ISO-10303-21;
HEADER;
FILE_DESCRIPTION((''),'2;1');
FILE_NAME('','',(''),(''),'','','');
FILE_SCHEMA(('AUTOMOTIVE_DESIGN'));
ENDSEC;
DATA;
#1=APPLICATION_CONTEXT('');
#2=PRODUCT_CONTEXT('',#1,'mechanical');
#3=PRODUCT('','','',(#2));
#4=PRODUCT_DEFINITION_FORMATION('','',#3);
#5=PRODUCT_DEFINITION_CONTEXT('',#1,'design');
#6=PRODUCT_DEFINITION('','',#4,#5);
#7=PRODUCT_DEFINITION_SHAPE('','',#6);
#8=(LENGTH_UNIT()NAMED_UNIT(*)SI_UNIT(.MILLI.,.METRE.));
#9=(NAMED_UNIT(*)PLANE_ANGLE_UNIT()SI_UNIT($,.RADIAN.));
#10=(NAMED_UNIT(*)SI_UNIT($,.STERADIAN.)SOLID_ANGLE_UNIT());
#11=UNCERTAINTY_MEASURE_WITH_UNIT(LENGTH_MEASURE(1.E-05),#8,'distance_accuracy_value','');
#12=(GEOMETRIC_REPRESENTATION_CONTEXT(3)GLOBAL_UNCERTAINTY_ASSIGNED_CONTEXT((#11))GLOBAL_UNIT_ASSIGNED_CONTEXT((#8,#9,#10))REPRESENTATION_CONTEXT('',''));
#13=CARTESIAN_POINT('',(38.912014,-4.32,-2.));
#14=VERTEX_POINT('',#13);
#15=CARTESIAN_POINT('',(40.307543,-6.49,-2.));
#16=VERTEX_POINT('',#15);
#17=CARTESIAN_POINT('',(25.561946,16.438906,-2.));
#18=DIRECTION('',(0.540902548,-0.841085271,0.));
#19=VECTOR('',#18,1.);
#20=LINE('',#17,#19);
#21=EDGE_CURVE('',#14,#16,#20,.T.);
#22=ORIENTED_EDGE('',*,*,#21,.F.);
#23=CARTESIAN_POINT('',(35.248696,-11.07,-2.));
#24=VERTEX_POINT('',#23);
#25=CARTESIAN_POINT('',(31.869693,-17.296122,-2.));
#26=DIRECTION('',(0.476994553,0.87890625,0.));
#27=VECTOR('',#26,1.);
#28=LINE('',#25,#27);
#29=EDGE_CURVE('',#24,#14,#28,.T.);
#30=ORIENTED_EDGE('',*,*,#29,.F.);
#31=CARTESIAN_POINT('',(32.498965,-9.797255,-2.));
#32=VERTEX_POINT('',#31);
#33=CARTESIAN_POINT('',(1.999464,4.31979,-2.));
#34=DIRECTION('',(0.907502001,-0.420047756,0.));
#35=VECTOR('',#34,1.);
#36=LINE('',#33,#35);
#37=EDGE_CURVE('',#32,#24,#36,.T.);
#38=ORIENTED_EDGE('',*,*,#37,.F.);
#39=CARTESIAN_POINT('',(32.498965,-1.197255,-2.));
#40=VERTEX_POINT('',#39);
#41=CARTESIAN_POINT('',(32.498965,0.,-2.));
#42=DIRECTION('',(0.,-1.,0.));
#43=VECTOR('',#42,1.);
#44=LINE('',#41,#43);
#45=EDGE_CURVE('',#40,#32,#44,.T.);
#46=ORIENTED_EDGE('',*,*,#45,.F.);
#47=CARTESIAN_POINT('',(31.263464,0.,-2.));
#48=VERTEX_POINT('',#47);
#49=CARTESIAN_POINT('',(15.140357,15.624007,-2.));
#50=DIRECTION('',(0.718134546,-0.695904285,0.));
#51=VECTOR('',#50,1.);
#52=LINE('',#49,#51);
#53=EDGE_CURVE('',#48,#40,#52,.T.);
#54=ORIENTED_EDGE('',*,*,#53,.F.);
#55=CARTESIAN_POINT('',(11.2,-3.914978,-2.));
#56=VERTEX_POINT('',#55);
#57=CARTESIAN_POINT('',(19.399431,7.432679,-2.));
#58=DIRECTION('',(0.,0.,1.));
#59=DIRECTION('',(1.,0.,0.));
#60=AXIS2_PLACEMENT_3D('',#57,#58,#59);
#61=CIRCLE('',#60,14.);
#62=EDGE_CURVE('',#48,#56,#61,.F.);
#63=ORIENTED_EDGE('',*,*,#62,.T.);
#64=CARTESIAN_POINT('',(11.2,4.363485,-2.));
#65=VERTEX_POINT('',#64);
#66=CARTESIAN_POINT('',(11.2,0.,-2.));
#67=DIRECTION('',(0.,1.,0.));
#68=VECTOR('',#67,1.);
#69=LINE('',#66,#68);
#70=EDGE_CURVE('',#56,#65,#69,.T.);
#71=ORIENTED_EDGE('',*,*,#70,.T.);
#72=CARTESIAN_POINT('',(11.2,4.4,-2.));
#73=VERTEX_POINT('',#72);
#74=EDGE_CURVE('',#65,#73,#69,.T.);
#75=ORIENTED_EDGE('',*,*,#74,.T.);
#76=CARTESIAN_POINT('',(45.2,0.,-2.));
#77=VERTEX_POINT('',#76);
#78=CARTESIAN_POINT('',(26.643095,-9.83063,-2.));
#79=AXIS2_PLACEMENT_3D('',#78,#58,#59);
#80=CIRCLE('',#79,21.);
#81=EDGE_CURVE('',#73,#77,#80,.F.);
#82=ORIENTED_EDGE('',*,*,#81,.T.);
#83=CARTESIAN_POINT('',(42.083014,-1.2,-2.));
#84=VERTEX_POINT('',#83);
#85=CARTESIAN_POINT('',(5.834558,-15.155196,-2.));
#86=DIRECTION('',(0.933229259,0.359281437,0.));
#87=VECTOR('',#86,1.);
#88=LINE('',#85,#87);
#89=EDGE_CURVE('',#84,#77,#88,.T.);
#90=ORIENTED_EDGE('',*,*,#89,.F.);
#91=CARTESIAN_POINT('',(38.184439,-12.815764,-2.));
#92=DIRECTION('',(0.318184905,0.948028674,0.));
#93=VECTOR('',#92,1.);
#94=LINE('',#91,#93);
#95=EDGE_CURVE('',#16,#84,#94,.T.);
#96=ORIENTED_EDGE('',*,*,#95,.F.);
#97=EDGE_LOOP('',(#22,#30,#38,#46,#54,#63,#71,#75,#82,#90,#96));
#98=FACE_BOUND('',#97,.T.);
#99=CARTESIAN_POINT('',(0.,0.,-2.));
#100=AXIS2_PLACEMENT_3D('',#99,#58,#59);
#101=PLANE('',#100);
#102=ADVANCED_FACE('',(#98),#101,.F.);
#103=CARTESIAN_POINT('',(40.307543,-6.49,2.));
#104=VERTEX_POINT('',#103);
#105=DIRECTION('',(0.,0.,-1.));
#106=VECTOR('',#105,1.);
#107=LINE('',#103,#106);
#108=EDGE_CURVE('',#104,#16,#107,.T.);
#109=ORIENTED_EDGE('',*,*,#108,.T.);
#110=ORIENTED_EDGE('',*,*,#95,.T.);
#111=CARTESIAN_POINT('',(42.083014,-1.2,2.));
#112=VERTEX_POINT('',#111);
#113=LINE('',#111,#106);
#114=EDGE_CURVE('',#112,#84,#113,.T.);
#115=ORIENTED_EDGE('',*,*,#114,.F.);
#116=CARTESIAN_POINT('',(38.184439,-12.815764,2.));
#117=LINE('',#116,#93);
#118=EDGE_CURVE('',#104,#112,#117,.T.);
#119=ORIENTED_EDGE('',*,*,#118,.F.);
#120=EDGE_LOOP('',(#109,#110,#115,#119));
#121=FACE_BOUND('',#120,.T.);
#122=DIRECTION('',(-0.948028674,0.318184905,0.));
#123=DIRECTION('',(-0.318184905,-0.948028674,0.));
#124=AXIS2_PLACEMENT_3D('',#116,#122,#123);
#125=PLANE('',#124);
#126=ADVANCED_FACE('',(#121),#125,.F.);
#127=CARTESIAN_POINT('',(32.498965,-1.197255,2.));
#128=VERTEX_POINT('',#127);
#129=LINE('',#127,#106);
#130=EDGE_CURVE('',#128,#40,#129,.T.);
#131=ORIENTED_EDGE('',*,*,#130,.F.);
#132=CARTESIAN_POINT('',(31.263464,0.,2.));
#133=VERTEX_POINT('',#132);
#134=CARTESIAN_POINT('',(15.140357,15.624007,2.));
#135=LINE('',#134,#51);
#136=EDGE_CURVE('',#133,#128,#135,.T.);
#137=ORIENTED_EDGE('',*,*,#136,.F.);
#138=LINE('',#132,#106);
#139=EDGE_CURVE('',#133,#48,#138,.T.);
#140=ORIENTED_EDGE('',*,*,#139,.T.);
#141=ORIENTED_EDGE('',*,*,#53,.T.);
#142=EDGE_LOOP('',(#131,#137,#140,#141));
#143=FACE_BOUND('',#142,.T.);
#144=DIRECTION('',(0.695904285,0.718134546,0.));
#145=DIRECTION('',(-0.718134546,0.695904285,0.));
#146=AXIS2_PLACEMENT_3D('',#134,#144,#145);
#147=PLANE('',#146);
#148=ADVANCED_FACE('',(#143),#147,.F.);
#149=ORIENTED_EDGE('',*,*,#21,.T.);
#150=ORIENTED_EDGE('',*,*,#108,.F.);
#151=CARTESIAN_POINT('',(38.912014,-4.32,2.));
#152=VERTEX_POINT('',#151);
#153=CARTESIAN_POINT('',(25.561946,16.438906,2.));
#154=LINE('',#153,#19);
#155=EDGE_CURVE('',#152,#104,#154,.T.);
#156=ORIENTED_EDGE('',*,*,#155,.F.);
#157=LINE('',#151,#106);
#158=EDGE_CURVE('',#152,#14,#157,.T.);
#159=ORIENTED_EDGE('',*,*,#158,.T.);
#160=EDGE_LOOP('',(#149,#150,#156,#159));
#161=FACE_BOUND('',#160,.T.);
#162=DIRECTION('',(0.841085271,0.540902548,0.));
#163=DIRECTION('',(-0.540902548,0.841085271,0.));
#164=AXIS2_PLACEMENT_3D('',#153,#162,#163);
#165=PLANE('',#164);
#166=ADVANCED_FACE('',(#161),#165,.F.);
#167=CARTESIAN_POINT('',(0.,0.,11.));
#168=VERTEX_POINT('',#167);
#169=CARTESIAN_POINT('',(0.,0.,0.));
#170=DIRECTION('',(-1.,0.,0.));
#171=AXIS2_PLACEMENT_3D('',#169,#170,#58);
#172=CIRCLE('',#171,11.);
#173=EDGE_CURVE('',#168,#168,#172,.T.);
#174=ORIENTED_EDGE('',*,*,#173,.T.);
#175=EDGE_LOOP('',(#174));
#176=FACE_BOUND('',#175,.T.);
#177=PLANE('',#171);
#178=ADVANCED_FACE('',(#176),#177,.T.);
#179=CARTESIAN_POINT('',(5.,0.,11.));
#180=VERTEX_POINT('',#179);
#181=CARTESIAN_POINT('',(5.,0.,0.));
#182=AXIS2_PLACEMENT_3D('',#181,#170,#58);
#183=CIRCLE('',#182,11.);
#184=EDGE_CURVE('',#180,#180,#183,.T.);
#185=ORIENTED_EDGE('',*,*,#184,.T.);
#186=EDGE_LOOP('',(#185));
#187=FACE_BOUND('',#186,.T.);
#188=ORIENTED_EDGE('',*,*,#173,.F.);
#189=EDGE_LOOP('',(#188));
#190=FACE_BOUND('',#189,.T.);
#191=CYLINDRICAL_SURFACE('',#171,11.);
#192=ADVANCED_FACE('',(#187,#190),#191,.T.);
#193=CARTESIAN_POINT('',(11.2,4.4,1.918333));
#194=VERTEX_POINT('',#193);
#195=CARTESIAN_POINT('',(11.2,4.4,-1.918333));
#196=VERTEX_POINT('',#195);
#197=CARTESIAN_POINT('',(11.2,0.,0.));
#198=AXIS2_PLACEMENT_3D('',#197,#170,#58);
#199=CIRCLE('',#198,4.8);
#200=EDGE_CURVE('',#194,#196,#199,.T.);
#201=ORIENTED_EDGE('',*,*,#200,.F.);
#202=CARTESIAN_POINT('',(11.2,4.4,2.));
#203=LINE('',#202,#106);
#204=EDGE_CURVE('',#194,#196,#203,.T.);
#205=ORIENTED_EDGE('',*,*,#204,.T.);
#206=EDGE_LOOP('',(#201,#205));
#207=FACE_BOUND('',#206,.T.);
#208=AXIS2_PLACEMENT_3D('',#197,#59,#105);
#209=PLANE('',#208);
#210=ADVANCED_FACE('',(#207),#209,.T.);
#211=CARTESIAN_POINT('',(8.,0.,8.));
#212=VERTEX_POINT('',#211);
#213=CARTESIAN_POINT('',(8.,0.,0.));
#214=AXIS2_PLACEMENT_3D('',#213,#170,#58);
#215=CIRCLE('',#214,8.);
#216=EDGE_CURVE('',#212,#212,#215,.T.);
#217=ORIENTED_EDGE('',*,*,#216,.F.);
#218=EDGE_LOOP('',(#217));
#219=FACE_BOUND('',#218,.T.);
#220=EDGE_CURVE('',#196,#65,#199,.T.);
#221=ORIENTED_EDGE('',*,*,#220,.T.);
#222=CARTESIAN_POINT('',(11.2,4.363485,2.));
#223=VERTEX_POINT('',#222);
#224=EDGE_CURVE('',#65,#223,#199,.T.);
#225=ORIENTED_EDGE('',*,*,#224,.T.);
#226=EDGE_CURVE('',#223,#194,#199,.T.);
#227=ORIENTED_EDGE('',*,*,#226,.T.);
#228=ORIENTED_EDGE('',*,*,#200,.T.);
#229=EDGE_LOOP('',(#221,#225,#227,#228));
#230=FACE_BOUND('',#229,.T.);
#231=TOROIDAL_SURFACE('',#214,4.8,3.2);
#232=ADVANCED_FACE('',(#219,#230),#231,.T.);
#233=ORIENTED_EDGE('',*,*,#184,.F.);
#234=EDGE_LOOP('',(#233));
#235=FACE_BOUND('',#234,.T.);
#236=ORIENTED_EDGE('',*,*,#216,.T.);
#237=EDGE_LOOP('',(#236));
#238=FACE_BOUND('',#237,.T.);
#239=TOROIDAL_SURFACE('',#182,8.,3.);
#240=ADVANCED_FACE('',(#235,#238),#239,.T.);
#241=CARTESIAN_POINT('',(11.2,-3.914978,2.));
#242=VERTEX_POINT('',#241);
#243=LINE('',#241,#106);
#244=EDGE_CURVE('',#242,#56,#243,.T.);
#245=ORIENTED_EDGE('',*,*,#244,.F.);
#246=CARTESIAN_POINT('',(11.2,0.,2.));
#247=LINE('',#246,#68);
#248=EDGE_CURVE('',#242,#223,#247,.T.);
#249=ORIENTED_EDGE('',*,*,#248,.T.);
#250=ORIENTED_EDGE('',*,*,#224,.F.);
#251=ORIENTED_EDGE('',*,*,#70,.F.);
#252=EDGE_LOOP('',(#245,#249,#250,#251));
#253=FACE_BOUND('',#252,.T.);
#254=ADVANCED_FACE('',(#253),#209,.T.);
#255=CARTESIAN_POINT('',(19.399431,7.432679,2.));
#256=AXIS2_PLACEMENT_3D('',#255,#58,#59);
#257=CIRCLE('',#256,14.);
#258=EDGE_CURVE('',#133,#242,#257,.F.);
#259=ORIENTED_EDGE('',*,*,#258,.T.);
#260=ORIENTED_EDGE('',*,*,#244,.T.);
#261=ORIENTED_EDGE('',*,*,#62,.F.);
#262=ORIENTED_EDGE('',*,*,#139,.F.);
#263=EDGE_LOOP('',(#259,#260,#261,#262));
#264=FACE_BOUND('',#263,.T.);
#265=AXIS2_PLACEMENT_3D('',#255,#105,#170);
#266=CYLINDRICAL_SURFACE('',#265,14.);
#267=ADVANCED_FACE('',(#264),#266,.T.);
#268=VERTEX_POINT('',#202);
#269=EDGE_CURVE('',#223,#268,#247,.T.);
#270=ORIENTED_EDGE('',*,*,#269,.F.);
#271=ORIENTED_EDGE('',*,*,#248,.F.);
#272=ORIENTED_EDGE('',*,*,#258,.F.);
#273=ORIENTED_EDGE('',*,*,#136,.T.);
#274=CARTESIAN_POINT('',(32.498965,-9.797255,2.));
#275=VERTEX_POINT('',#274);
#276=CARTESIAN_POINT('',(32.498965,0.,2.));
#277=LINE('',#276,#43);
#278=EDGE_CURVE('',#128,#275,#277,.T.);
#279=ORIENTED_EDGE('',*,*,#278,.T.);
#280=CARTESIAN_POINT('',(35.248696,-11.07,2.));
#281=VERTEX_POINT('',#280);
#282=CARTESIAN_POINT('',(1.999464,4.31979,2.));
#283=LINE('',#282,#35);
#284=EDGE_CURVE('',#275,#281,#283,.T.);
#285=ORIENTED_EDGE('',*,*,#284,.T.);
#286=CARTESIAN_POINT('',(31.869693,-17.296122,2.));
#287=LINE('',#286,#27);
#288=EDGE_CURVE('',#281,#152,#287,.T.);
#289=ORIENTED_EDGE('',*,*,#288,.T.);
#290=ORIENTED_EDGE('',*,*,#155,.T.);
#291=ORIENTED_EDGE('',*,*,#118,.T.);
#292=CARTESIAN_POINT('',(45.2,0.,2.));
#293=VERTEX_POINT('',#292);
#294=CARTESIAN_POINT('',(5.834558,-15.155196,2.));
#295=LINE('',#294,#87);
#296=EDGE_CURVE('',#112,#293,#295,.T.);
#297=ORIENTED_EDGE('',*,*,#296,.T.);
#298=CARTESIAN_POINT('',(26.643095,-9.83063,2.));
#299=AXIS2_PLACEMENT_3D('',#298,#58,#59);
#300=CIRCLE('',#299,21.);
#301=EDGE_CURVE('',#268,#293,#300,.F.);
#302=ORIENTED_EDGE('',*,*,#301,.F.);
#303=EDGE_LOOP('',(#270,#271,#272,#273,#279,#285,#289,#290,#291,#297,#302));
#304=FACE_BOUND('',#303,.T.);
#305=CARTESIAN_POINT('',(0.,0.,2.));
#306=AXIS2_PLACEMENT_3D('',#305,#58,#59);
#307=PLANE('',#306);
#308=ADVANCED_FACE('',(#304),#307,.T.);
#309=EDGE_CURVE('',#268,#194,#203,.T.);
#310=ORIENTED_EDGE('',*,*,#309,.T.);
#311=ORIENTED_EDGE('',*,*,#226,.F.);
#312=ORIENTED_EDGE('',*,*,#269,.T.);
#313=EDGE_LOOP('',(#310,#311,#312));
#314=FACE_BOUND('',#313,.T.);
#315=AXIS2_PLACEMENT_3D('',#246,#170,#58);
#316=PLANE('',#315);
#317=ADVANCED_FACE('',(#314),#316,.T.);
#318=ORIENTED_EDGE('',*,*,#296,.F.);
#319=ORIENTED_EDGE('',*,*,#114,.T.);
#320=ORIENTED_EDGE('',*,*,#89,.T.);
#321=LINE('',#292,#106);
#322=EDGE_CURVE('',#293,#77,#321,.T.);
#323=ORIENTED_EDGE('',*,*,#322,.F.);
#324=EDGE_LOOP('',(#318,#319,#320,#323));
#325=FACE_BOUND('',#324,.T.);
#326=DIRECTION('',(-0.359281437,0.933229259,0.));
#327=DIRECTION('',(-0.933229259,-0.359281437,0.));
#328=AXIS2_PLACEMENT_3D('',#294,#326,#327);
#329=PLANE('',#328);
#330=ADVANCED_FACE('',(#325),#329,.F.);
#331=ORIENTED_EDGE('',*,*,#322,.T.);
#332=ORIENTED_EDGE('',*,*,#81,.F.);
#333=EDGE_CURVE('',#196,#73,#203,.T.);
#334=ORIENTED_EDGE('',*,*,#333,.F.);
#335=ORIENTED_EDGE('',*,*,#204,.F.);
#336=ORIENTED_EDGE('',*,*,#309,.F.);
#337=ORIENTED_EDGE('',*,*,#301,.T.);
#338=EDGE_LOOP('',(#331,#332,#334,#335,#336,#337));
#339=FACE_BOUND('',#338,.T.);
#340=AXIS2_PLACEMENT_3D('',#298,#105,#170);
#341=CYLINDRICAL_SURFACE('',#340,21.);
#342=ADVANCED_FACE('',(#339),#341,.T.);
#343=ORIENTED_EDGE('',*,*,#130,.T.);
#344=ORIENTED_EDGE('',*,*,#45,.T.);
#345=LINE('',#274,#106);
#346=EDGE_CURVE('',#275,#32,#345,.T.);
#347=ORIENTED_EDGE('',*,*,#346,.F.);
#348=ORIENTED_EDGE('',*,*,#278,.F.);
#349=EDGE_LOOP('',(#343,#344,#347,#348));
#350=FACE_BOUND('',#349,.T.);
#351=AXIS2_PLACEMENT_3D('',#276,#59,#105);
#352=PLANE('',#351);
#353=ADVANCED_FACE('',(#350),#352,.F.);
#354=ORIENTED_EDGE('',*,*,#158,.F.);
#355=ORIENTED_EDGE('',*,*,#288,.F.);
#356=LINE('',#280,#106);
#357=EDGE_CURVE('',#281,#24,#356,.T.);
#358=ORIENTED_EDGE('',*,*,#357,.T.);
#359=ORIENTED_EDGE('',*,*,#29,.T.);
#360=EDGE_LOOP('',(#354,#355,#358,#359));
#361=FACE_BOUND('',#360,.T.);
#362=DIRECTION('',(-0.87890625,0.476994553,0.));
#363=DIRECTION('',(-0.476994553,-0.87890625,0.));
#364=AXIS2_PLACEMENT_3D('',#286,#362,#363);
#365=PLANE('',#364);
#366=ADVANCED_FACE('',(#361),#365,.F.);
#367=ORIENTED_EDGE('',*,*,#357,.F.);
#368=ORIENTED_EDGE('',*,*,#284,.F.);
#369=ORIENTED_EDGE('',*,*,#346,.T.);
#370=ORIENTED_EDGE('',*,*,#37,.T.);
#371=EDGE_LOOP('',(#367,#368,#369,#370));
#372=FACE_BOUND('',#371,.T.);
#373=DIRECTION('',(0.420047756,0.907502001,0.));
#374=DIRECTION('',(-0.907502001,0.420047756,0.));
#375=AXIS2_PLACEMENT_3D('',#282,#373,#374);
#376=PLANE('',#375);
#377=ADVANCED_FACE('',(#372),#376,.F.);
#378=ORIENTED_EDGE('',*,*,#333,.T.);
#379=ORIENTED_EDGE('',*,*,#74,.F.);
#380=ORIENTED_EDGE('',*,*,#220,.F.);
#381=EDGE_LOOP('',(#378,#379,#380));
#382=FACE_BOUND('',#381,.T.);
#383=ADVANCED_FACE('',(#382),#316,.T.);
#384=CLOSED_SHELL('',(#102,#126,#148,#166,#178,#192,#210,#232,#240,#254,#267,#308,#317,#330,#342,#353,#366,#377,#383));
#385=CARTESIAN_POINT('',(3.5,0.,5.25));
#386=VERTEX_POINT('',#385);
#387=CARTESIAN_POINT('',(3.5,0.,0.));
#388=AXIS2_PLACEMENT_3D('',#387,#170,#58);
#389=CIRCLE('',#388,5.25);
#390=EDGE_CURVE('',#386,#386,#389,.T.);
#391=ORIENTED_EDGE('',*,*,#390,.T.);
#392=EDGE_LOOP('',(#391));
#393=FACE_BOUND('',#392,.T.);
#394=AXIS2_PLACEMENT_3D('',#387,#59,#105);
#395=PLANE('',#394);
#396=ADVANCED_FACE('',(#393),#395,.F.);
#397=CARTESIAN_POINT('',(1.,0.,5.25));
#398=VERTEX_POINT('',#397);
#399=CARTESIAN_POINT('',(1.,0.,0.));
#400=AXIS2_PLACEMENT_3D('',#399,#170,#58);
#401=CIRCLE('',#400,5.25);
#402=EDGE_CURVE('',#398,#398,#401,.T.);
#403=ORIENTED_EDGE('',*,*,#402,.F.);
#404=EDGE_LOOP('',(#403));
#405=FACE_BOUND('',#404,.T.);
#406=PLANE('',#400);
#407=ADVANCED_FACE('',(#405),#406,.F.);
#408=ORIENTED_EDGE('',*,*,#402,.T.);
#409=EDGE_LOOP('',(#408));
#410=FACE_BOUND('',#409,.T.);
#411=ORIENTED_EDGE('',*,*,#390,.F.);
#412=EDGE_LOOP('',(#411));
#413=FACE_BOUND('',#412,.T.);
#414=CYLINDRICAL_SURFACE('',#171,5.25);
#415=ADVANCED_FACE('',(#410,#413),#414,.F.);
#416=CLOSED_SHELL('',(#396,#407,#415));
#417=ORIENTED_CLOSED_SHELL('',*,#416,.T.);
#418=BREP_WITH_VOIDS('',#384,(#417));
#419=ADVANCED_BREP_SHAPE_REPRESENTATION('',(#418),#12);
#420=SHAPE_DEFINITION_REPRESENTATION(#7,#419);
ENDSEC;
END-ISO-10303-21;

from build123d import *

# Parameters (mm, degrees)
EXTRUDE_1931_DEPTH = 2


with BuildPart() as part:
    # Sketch 231 → Повернуть1 (revolve)
    with BuildSketch(Plane.XY):
        with BuildLine():
            Line((0, 11), (0, 0))
            Line((0, 0), (1, 0))
            Line((1, 0), (1, 5.25))
            Line((1, 5.25), (3.5, 5.25))
            Line((3.5, 5.25), (3.5, 0))
            Line((3.5, 0), (11.2, 0))
            Line((11.2, 0), (11.2, 4.8))
            ThreePointArc((11.2, 4.8), (10.2627417, 7.0627417), (8, 8))
            ThreePointArc((8, 8), (7.121320344, 10.121320344), (5, 11))
            Line((5, 11), (0, 11))
        make_face()
    revolve(axis=Axis((0, 0, 0), (1, 0, 0)))

    # Sketch 913 → Extrude 1931 (add, symmetric)
    with BuildSketch(Plane.XY):
        with BuildLine():
            Line((11.2, 4.4), (11.2, -3.914978255))
            ThreePointArc((11.2, -3.914978255), (22.080678837, -6.30816882), (31.263463773, 0))
            Line((31.263463773, 0), (32.498964702, -1.197255299))
            Line((32.498964702, -1.197255299), (32.498964702, -9.797255299))
            Line((32.498964702, -9.797255299), (35.248695767, -11.07))
            Line((35.248695767, -11.07), (38.912013935, -4.32))
            Line((38.912013935, -4.32), (40.307542508, -6.49))
            Line((40.307542508, -6.49), (42.083014277, -1.2))
            Line((42.083014277, -1.2), (45.2, 0))
            ThreePointArc((45.2, 0), (29.338267199, 10.995701086), (11.2, 4.4))
        make_face()
    extrude(amount=EXTRUDE_1931_DEPTH, both=True)


solid = part.part
